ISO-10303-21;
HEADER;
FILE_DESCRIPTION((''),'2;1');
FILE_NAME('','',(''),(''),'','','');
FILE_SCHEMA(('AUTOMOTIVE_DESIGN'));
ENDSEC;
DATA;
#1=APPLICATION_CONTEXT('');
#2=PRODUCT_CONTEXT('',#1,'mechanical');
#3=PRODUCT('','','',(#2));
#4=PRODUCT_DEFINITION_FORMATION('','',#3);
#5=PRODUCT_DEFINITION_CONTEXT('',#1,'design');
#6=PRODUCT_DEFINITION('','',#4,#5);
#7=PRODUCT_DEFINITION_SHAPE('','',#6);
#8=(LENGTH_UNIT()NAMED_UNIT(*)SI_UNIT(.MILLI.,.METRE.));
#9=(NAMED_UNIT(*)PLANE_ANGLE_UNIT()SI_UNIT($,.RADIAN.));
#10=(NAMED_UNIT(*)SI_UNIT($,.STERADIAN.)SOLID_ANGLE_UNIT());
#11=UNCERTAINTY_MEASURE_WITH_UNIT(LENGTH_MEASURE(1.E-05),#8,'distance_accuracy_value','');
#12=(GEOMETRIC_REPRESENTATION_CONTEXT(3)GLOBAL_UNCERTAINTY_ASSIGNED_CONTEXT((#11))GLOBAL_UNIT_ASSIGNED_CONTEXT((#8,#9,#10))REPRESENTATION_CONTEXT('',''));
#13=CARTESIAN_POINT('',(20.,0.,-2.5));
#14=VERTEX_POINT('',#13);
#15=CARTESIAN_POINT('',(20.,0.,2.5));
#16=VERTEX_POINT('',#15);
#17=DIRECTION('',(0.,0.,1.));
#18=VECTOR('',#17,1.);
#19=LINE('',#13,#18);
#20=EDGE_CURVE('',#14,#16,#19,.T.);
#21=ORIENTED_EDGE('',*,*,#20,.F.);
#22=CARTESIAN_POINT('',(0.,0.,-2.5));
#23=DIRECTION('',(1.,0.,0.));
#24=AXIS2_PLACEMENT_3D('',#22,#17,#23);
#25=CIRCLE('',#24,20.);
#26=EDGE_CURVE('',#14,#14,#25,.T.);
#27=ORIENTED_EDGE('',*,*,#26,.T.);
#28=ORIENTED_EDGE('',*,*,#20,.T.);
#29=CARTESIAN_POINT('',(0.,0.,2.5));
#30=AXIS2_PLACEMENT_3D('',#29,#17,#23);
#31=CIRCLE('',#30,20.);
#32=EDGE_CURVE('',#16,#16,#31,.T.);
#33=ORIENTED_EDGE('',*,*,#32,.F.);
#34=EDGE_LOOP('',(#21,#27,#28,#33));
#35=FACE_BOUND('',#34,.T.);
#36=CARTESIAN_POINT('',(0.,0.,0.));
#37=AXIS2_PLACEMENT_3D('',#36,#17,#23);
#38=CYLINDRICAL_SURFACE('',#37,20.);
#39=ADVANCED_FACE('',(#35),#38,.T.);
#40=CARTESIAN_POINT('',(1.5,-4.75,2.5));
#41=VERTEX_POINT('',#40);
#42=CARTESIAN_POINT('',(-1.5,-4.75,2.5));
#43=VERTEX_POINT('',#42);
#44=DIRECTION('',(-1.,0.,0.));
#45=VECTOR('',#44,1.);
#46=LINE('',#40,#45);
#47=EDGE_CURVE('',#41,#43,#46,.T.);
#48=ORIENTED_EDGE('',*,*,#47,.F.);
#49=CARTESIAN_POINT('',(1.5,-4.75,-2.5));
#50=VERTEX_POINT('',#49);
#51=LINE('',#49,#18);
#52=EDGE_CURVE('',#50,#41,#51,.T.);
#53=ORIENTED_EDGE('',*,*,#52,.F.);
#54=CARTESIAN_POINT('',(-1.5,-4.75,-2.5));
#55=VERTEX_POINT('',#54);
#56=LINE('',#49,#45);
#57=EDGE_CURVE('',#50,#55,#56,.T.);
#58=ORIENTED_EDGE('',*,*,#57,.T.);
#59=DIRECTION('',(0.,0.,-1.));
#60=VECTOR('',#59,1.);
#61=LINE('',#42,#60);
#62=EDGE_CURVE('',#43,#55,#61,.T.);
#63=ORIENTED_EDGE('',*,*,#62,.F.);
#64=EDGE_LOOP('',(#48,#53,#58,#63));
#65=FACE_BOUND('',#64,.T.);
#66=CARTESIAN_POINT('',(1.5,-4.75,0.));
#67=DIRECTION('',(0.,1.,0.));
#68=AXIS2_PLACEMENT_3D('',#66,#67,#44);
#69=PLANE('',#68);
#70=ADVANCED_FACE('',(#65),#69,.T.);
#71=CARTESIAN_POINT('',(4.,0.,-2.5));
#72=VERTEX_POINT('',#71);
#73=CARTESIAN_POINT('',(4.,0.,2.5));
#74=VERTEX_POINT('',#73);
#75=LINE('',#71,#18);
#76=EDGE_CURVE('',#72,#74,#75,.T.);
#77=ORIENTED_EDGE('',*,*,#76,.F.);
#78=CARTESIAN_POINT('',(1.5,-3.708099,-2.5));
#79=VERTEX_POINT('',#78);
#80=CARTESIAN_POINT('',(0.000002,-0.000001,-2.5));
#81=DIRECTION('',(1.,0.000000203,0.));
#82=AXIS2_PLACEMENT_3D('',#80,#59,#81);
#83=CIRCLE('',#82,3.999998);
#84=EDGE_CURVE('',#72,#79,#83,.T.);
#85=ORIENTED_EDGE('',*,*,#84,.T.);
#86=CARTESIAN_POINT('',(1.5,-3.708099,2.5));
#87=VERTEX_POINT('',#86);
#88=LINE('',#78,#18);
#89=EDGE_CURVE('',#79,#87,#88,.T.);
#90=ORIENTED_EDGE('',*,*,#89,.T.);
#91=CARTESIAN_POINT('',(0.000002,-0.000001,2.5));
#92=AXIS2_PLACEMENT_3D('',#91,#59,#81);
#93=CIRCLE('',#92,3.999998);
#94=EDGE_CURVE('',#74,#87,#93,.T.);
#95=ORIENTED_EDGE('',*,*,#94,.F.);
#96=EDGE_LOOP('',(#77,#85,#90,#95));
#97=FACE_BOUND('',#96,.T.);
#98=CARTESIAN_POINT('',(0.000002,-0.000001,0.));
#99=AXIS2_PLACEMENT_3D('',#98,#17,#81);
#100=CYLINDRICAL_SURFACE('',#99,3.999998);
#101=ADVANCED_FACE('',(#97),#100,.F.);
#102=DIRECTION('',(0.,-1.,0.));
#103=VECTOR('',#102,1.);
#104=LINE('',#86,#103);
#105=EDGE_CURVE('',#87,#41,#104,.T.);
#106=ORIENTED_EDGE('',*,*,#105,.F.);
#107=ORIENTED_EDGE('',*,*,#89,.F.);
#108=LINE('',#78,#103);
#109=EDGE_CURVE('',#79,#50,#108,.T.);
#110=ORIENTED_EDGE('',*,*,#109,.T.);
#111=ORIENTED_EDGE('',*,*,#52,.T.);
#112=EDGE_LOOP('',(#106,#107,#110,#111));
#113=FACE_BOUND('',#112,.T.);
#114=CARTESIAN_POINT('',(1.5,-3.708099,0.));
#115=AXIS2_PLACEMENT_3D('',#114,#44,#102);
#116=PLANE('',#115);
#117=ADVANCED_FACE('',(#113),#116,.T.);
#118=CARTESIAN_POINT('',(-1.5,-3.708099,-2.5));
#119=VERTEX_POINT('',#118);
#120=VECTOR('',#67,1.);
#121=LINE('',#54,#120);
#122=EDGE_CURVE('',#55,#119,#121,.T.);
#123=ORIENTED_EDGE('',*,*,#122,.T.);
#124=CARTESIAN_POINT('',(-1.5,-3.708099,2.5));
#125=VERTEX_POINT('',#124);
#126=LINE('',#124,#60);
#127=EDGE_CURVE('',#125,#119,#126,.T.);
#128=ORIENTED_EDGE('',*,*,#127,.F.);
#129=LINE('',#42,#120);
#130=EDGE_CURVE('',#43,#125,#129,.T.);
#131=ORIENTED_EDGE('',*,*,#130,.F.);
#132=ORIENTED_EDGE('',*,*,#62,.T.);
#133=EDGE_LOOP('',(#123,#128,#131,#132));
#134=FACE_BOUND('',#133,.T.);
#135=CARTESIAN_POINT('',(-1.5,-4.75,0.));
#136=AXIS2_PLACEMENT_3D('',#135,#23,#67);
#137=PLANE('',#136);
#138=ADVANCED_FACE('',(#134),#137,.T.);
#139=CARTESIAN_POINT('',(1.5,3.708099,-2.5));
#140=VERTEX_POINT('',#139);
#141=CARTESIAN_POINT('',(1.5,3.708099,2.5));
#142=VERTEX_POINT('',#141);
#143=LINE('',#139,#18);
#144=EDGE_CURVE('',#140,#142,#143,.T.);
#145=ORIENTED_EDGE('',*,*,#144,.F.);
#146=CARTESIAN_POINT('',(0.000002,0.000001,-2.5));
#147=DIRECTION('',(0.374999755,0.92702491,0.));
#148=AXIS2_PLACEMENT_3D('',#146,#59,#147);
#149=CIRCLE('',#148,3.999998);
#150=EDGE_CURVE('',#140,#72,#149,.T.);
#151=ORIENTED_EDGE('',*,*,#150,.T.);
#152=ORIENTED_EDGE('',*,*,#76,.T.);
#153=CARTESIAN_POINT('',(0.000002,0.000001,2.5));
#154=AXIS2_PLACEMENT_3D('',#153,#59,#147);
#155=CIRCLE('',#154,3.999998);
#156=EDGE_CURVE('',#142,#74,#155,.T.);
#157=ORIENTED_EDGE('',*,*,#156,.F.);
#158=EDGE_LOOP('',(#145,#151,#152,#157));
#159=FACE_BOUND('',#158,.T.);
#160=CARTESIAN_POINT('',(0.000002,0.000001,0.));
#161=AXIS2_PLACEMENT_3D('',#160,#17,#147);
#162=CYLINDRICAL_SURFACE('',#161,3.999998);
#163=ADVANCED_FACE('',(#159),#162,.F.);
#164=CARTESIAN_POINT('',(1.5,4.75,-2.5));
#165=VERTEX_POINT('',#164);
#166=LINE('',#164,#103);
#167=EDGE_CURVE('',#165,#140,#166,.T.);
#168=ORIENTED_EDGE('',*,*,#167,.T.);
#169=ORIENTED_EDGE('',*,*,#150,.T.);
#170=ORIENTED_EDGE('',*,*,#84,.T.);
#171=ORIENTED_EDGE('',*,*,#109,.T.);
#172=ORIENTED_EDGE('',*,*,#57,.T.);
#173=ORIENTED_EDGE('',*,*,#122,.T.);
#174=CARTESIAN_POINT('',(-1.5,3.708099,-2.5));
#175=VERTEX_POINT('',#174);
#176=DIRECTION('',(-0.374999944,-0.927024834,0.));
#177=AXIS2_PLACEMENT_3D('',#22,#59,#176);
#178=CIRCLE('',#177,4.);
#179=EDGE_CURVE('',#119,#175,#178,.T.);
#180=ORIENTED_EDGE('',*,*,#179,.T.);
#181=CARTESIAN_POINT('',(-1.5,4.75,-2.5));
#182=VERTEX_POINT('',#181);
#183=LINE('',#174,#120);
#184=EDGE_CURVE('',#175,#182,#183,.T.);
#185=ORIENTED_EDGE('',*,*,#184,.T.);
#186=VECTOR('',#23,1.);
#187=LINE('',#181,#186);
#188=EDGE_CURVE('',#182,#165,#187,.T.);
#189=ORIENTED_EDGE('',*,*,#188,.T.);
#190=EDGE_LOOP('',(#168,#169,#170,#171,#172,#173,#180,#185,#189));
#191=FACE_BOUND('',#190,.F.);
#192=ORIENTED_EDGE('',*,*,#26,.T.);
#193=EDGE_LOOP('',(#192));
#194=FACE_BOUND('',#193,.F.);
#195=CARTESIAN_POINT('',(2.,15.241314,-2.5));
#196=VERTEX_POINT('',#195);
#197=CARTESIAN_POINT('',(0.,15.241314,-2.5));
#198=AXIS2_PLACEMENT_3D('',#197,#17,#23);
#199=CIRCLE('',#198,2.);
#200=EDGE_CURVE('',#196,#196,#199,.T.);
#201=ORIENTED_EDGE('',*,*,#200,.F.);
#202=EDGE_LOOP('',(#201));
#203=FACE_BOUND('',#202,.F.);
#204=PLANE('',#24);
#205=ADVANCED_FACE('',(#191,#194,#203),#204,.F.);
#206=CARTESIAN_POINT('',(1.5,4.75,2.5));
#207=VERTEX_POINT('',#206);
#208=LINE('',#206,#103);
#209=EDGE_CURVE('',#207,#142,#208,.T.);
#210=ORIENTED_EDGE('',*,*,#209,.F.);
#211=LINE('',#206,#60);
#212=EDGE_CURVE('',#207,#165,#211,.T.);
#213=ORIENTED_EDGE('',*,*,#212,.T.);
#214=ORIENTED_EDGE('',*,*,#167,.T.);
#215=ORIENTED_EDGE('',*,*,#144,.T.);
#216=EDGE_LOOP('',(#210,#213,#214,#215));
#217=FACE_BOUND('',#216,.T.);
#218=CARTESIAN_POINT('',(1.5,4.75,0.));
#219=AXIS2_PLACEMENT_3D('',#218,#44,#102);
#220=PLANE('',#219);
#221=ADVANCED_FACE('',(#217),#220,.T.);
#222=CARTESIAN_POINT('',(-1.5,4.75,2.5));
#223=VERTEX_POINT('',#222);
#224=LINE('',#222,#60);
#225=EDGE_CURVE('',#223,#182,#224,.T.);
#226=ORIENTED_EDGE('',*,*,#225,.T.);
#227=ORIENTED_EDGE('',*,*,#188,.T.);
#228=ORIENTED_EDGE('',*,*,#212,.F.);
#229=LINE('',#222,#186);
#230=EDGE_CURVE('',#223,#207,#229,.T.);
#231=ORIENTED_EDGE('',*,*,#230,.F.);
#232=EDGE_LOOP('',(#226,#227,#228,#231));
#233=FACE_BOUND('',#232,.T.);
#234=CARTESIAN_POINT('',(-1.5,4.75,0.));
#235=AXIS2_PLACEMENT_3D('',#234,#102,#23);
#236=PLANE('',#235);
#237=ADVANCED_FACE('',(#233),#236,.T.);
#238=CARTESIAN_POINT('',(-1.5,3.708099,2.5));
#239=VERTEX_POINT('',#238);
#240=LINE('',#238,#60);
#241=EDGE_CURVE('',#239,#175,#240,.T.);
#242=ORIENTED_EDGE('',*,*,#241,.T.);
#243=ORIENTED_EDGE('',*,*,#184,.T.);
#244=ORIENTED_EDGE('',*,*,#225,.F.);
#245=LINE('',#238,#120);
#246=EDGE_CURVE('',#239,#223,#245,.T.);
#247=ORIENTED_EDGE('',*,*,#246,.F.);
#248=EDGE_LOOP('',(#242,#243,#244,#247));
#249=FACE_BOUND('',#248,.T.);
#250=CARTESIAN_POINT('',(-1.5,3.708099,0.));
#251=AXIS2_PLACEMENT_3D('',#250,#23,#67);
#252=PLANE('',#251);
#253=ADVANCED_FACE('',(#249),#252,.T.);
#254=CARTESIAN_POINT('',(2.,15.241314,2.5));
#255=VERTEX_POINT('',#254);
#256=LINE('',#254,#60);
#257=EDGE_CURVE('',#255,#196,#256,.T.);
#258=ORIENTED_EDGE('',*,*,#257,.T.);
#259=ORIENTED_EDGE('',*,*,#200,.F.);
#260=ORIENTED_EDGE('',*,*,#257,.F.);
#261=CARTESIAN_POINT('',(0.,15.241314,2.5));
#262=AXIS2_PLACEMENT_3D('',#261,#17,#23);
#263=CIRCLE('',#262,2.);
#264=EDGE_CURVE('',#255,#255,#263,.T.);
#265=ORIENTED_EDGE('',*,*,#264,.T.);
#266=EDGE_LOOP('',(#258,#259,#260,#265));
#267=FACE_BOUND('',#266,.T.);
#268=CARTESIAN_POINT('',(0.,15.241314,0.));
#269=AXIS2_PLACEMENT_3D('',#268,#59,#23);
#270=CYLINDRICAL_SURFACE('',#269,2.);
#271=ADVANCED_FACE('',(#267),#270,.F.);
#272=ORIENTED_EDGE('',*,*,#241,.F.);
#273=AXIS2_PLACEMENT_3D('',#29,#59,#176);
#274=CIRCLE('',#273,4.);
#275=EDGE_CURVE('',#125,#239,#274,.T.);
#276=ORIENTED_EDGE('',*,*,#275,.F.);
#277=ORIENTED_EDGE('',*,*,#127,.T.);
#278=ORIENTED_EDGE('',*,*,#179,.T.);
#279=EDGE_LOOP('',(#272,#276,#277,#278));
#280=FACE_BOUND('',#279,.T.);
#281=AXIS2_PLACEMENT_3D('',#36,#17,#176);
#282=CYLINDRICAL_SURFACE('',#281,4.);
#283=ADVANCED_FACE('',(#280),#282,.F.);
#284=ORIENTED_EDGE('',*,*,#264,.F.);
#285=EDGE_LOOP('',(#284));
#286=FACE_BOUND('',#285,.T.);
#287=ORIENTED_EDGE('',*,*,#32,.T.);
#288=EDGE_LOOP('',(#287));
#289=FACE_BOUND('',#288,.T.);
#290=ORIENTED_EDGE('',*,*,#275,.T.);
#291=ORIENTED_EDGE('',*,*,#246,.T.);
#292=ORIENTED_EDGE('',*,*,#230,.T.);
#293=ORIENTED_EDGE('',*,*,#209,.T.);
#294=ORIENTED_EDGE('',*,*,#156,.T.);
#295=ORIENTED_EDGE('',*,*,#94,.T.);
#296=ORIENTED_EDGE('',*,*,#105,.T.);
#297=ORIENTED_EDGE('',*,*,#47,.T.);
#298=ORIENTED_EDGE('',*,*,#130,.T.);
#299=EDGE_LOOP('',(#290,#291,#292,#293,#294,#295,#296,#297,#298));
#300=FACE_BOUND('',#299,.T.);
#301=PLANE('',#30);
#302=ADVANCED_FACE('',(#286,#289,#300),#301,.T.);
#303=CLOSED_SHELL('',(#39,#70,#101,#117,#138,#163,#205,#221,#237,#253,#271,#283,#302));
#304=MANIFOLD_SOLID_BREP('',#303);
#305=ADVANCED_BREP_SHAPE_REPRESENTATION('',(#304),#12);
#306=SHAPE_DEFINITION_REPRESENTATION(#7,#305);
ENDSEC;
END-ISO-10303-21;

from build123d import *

# Parameters (mm, degrees)
F0_R     = 20
F0_R_2   = 2
F1_DEPTH = 2.5


with BuildPart() as f1:
    # F0 (on Top) → F1 (new body, symmetric)
    with BuildSketch(Plane.XY):
        Circle(F0_R)
        with BuildLine():
            ThreePointArc((1.5, 3.708099), (3.316625, 2.236068), (4, 0))
            ThreePointArc((4, 0), (3.316625, -2.236068), (1.5, -3.708099))
            Line((1.5, -3.708099), (1.5, -4.75))
            Line((1.5, -4.75), (-1.5, -4.75))
            Line((-1.5, -4.75), (-1.5, -3.708099))
            ThreePointArc((-1.5, -3.708099), (-4, 0), (-1.5, 3.708099))
            Line((-1.5, 3.708099), (-1.5, 4.75))
            Line((-1.5, 4.75), (1.5, 4.75))
            Line((1.5, 4.75), (1.5, 3.708099))
        make_face(mode=Mode.SUBTRACT)
        with Locations((0, 15.241314)):
            Circle(F0_R_2, mode=Mode.SUBTRACT)
    extrude(amount=F1_DEPTH, both=True)


solid = f1.part
